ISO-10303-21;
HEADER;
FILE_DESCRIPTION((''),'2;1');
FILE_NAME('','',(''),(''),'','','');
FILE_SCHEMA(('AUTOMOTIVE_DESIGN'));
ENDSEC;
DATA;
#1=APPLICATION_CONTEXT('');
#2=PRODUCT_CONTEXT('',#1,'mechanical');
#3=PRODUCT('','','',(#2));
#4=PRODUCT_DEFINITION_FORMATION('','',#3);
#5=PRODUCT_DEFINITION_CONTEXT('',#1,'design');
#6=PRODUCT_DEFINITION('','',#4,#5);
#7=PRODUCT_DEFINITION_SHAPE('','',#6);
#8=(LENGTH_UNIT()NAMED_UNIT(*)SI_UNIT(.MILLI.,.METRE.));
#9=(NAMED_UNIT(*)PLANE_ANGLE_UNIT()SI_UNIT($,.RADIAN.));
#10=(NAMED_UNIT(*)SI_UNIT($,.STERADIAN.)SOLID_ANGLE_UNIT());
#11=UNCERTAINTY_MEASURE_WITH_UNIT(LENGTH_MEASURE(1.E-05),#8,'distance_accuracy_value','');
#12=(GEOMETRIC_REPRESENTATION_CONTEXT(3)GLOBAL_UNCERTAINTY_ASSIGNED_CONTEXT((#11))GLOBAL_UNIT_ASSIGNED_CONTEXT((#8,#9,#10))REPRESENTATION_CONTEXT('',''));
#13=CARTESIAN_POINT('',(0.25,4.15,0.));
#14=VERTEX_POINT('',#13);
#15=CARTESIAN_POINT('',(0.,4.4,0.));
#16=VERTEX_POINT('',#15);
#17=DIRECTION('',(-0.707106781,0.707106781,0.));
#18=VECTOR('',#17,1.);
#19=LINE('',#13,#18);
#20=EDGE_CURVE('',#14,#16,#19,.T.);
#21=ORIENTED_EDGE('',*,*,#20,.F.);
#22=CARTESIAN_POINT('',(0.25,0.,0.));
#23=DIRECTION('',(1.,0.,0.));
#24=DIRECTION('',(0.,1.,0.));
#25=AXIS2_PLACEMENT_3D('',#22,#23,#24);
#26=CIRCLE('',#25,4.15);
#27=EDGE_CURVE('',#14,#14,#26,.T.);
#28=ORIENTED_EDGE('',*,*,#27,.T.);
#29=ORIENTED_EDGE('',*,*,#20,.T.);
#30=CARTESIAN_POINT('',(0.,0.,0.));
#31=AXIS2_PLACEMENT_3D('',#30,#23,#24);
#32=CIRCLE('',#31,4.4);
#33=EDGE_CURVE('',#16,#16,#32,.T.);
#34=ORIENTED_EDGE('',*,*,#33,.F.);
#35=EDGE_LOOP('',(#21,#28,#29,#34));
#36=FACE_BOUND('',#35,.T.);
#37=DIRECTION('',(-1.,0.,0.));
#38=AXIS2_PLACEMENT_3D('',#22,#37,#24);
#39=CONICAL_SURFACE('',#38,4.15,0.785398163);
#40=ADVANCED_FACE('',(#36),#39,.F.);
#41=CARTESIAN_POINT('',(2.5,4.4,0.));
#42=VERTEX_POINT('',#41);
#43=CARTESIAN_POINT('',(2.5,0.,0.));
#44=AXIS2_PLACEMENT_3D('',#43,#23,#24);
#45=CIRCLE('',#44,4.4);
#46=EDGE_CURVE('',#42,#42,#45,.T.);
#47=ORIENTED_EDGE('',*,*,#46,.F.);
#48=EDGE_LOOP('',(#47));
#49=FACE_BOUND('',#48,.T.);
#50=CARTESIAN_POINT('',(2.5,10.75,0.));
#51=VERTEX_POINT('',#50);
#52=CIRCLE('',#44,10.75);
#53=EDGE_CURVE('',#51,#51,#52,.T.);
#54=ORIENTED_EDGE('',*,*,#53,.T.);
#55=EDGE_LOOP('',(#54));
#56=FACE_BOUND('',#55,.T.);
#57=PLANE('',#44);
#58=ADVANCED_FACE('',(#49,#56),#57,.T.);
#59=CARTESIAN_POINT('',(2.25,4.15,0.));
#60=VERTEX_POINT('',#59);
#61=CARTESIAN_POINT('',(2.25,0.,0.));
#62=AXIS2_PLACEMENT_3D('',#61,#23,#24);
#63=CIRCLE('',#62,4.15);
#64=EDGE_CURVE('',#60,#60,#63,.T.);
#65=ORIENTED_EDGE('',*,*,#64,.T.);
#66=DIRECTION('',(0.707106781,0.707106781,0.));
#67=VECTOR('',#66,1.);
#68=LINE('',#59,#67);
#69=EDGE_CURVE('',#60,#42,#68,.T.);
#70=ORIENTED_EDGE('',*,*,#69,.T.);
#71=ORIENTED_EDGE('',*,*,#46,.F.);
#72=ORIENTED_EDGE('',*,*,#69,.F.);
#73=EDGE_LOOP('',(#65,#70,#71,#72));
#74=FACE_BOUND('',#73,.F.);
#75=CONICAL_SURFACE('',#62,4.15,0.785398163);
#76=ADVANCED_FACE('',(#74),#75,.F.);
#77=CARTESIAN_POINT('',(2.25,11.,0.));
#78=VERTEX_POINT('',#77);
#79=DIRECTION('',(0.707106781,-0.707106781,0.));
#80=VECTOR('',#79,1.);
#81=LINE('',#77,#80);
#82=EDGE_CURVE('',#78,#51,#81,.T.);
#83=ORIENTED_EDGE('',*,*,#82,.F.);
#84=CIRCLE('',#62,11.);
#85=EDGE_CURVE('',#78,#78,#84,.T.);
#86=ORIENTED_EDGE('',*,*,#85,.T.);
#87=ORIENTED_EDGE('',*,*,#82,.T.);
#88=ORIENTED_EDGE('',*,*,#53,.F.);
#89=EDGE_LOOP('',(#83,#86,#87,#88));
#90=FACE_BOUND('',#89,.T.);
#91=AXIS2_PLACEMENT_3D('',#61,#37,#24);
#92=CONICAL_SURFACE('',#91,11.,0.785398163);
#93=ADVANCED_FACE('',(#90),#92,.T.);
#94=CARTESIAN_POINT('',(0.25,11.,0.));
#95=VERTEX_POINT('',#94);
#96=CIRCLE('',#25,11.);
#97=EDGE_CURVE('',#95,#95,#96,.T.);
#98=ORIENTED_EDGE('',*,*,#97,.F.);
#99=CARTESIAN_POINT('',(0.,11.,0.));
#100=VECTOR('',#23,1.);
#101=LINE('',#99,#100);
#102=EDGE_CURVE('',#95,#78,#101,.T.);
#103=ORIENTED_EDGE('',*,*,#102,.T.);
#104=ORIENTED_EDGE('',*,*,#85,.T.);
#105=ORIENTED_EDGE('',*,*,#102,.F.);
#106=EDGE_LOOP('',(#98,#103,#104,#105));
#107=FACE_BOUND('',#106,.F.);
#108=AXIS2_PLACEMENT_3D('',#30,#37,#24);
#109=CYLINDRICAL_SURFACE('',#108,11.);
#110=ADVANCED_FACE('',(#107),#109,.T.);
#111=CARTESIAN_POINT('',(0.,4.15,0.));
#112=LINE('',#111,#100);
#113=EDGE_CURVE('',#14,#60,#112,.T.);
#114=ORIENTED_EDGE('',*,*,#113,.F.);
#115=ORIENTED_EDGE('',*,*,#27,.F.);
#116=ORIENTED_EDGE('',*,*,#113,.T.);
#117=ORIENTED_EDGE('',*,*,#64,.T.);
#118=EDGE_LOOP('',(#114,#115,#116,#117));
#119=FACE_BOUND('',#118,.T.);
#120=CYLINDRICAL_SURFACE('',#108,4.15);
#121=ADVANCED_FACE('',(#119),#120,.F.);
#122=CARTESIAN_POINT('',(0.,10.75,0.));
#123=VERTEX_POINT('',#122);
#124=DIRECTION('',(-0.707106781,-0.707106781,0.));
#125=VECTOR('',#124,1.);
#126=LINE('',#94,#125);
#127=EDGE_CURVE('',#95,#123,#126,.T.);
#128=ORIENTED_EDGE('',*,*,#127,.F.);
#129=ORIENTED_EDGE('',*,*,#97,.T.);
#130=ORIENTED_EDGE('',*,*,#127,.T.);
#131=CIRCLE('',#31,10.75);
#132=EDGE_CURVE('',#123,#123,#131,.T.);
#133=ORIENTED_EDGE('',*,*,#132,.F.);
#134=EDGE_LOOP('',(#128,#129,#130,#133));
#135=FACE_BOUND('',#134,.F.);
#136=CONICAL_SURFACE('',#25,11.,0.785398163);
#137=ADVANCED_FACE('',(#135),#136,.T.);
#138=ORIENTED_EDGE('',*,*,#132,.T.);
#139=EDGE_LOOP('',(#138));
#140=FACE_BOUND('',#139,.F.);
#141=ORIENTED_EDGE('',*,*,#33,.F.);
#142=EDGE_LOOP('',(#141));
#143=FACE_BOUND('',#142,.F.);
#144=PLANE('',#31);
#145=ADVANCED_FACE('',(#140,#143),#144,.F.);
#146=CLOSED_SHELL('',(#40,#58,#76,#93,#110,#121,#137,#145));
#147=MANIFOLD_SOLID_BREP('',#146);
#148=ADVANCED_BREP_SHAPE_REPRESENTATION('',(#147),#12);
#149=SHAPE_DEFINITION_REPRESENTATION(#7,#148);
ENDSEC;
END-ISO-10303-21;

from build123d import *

# Parameters (mm, degrees)
F0_R     = 11
F0_R_2   = 4.15
F1_DEPTH = 2.5
F2_SIZE  = 0.25


with BuildPart() as f1:
    # F0 (on Right) → F1 (new body)
    with BuildSketch(Plane.YZ):
        Circle(F0_R)
        Circle(F0_R_2, mode=Mode.SUBTRACT)
    extrude(amount=F1_DEPTH)

    # F2
    f2_edges = [f1.edges().sort_by_distance(p)[0] for p in [
        (2.5, -11, 0),
        (2.5, -4.15, 0),
        (0, -4.15, 0),
        (0, -11, 0),
    ]]
    chamfer(f2_edges, length=F2_SIZE)


solid = f1.part
